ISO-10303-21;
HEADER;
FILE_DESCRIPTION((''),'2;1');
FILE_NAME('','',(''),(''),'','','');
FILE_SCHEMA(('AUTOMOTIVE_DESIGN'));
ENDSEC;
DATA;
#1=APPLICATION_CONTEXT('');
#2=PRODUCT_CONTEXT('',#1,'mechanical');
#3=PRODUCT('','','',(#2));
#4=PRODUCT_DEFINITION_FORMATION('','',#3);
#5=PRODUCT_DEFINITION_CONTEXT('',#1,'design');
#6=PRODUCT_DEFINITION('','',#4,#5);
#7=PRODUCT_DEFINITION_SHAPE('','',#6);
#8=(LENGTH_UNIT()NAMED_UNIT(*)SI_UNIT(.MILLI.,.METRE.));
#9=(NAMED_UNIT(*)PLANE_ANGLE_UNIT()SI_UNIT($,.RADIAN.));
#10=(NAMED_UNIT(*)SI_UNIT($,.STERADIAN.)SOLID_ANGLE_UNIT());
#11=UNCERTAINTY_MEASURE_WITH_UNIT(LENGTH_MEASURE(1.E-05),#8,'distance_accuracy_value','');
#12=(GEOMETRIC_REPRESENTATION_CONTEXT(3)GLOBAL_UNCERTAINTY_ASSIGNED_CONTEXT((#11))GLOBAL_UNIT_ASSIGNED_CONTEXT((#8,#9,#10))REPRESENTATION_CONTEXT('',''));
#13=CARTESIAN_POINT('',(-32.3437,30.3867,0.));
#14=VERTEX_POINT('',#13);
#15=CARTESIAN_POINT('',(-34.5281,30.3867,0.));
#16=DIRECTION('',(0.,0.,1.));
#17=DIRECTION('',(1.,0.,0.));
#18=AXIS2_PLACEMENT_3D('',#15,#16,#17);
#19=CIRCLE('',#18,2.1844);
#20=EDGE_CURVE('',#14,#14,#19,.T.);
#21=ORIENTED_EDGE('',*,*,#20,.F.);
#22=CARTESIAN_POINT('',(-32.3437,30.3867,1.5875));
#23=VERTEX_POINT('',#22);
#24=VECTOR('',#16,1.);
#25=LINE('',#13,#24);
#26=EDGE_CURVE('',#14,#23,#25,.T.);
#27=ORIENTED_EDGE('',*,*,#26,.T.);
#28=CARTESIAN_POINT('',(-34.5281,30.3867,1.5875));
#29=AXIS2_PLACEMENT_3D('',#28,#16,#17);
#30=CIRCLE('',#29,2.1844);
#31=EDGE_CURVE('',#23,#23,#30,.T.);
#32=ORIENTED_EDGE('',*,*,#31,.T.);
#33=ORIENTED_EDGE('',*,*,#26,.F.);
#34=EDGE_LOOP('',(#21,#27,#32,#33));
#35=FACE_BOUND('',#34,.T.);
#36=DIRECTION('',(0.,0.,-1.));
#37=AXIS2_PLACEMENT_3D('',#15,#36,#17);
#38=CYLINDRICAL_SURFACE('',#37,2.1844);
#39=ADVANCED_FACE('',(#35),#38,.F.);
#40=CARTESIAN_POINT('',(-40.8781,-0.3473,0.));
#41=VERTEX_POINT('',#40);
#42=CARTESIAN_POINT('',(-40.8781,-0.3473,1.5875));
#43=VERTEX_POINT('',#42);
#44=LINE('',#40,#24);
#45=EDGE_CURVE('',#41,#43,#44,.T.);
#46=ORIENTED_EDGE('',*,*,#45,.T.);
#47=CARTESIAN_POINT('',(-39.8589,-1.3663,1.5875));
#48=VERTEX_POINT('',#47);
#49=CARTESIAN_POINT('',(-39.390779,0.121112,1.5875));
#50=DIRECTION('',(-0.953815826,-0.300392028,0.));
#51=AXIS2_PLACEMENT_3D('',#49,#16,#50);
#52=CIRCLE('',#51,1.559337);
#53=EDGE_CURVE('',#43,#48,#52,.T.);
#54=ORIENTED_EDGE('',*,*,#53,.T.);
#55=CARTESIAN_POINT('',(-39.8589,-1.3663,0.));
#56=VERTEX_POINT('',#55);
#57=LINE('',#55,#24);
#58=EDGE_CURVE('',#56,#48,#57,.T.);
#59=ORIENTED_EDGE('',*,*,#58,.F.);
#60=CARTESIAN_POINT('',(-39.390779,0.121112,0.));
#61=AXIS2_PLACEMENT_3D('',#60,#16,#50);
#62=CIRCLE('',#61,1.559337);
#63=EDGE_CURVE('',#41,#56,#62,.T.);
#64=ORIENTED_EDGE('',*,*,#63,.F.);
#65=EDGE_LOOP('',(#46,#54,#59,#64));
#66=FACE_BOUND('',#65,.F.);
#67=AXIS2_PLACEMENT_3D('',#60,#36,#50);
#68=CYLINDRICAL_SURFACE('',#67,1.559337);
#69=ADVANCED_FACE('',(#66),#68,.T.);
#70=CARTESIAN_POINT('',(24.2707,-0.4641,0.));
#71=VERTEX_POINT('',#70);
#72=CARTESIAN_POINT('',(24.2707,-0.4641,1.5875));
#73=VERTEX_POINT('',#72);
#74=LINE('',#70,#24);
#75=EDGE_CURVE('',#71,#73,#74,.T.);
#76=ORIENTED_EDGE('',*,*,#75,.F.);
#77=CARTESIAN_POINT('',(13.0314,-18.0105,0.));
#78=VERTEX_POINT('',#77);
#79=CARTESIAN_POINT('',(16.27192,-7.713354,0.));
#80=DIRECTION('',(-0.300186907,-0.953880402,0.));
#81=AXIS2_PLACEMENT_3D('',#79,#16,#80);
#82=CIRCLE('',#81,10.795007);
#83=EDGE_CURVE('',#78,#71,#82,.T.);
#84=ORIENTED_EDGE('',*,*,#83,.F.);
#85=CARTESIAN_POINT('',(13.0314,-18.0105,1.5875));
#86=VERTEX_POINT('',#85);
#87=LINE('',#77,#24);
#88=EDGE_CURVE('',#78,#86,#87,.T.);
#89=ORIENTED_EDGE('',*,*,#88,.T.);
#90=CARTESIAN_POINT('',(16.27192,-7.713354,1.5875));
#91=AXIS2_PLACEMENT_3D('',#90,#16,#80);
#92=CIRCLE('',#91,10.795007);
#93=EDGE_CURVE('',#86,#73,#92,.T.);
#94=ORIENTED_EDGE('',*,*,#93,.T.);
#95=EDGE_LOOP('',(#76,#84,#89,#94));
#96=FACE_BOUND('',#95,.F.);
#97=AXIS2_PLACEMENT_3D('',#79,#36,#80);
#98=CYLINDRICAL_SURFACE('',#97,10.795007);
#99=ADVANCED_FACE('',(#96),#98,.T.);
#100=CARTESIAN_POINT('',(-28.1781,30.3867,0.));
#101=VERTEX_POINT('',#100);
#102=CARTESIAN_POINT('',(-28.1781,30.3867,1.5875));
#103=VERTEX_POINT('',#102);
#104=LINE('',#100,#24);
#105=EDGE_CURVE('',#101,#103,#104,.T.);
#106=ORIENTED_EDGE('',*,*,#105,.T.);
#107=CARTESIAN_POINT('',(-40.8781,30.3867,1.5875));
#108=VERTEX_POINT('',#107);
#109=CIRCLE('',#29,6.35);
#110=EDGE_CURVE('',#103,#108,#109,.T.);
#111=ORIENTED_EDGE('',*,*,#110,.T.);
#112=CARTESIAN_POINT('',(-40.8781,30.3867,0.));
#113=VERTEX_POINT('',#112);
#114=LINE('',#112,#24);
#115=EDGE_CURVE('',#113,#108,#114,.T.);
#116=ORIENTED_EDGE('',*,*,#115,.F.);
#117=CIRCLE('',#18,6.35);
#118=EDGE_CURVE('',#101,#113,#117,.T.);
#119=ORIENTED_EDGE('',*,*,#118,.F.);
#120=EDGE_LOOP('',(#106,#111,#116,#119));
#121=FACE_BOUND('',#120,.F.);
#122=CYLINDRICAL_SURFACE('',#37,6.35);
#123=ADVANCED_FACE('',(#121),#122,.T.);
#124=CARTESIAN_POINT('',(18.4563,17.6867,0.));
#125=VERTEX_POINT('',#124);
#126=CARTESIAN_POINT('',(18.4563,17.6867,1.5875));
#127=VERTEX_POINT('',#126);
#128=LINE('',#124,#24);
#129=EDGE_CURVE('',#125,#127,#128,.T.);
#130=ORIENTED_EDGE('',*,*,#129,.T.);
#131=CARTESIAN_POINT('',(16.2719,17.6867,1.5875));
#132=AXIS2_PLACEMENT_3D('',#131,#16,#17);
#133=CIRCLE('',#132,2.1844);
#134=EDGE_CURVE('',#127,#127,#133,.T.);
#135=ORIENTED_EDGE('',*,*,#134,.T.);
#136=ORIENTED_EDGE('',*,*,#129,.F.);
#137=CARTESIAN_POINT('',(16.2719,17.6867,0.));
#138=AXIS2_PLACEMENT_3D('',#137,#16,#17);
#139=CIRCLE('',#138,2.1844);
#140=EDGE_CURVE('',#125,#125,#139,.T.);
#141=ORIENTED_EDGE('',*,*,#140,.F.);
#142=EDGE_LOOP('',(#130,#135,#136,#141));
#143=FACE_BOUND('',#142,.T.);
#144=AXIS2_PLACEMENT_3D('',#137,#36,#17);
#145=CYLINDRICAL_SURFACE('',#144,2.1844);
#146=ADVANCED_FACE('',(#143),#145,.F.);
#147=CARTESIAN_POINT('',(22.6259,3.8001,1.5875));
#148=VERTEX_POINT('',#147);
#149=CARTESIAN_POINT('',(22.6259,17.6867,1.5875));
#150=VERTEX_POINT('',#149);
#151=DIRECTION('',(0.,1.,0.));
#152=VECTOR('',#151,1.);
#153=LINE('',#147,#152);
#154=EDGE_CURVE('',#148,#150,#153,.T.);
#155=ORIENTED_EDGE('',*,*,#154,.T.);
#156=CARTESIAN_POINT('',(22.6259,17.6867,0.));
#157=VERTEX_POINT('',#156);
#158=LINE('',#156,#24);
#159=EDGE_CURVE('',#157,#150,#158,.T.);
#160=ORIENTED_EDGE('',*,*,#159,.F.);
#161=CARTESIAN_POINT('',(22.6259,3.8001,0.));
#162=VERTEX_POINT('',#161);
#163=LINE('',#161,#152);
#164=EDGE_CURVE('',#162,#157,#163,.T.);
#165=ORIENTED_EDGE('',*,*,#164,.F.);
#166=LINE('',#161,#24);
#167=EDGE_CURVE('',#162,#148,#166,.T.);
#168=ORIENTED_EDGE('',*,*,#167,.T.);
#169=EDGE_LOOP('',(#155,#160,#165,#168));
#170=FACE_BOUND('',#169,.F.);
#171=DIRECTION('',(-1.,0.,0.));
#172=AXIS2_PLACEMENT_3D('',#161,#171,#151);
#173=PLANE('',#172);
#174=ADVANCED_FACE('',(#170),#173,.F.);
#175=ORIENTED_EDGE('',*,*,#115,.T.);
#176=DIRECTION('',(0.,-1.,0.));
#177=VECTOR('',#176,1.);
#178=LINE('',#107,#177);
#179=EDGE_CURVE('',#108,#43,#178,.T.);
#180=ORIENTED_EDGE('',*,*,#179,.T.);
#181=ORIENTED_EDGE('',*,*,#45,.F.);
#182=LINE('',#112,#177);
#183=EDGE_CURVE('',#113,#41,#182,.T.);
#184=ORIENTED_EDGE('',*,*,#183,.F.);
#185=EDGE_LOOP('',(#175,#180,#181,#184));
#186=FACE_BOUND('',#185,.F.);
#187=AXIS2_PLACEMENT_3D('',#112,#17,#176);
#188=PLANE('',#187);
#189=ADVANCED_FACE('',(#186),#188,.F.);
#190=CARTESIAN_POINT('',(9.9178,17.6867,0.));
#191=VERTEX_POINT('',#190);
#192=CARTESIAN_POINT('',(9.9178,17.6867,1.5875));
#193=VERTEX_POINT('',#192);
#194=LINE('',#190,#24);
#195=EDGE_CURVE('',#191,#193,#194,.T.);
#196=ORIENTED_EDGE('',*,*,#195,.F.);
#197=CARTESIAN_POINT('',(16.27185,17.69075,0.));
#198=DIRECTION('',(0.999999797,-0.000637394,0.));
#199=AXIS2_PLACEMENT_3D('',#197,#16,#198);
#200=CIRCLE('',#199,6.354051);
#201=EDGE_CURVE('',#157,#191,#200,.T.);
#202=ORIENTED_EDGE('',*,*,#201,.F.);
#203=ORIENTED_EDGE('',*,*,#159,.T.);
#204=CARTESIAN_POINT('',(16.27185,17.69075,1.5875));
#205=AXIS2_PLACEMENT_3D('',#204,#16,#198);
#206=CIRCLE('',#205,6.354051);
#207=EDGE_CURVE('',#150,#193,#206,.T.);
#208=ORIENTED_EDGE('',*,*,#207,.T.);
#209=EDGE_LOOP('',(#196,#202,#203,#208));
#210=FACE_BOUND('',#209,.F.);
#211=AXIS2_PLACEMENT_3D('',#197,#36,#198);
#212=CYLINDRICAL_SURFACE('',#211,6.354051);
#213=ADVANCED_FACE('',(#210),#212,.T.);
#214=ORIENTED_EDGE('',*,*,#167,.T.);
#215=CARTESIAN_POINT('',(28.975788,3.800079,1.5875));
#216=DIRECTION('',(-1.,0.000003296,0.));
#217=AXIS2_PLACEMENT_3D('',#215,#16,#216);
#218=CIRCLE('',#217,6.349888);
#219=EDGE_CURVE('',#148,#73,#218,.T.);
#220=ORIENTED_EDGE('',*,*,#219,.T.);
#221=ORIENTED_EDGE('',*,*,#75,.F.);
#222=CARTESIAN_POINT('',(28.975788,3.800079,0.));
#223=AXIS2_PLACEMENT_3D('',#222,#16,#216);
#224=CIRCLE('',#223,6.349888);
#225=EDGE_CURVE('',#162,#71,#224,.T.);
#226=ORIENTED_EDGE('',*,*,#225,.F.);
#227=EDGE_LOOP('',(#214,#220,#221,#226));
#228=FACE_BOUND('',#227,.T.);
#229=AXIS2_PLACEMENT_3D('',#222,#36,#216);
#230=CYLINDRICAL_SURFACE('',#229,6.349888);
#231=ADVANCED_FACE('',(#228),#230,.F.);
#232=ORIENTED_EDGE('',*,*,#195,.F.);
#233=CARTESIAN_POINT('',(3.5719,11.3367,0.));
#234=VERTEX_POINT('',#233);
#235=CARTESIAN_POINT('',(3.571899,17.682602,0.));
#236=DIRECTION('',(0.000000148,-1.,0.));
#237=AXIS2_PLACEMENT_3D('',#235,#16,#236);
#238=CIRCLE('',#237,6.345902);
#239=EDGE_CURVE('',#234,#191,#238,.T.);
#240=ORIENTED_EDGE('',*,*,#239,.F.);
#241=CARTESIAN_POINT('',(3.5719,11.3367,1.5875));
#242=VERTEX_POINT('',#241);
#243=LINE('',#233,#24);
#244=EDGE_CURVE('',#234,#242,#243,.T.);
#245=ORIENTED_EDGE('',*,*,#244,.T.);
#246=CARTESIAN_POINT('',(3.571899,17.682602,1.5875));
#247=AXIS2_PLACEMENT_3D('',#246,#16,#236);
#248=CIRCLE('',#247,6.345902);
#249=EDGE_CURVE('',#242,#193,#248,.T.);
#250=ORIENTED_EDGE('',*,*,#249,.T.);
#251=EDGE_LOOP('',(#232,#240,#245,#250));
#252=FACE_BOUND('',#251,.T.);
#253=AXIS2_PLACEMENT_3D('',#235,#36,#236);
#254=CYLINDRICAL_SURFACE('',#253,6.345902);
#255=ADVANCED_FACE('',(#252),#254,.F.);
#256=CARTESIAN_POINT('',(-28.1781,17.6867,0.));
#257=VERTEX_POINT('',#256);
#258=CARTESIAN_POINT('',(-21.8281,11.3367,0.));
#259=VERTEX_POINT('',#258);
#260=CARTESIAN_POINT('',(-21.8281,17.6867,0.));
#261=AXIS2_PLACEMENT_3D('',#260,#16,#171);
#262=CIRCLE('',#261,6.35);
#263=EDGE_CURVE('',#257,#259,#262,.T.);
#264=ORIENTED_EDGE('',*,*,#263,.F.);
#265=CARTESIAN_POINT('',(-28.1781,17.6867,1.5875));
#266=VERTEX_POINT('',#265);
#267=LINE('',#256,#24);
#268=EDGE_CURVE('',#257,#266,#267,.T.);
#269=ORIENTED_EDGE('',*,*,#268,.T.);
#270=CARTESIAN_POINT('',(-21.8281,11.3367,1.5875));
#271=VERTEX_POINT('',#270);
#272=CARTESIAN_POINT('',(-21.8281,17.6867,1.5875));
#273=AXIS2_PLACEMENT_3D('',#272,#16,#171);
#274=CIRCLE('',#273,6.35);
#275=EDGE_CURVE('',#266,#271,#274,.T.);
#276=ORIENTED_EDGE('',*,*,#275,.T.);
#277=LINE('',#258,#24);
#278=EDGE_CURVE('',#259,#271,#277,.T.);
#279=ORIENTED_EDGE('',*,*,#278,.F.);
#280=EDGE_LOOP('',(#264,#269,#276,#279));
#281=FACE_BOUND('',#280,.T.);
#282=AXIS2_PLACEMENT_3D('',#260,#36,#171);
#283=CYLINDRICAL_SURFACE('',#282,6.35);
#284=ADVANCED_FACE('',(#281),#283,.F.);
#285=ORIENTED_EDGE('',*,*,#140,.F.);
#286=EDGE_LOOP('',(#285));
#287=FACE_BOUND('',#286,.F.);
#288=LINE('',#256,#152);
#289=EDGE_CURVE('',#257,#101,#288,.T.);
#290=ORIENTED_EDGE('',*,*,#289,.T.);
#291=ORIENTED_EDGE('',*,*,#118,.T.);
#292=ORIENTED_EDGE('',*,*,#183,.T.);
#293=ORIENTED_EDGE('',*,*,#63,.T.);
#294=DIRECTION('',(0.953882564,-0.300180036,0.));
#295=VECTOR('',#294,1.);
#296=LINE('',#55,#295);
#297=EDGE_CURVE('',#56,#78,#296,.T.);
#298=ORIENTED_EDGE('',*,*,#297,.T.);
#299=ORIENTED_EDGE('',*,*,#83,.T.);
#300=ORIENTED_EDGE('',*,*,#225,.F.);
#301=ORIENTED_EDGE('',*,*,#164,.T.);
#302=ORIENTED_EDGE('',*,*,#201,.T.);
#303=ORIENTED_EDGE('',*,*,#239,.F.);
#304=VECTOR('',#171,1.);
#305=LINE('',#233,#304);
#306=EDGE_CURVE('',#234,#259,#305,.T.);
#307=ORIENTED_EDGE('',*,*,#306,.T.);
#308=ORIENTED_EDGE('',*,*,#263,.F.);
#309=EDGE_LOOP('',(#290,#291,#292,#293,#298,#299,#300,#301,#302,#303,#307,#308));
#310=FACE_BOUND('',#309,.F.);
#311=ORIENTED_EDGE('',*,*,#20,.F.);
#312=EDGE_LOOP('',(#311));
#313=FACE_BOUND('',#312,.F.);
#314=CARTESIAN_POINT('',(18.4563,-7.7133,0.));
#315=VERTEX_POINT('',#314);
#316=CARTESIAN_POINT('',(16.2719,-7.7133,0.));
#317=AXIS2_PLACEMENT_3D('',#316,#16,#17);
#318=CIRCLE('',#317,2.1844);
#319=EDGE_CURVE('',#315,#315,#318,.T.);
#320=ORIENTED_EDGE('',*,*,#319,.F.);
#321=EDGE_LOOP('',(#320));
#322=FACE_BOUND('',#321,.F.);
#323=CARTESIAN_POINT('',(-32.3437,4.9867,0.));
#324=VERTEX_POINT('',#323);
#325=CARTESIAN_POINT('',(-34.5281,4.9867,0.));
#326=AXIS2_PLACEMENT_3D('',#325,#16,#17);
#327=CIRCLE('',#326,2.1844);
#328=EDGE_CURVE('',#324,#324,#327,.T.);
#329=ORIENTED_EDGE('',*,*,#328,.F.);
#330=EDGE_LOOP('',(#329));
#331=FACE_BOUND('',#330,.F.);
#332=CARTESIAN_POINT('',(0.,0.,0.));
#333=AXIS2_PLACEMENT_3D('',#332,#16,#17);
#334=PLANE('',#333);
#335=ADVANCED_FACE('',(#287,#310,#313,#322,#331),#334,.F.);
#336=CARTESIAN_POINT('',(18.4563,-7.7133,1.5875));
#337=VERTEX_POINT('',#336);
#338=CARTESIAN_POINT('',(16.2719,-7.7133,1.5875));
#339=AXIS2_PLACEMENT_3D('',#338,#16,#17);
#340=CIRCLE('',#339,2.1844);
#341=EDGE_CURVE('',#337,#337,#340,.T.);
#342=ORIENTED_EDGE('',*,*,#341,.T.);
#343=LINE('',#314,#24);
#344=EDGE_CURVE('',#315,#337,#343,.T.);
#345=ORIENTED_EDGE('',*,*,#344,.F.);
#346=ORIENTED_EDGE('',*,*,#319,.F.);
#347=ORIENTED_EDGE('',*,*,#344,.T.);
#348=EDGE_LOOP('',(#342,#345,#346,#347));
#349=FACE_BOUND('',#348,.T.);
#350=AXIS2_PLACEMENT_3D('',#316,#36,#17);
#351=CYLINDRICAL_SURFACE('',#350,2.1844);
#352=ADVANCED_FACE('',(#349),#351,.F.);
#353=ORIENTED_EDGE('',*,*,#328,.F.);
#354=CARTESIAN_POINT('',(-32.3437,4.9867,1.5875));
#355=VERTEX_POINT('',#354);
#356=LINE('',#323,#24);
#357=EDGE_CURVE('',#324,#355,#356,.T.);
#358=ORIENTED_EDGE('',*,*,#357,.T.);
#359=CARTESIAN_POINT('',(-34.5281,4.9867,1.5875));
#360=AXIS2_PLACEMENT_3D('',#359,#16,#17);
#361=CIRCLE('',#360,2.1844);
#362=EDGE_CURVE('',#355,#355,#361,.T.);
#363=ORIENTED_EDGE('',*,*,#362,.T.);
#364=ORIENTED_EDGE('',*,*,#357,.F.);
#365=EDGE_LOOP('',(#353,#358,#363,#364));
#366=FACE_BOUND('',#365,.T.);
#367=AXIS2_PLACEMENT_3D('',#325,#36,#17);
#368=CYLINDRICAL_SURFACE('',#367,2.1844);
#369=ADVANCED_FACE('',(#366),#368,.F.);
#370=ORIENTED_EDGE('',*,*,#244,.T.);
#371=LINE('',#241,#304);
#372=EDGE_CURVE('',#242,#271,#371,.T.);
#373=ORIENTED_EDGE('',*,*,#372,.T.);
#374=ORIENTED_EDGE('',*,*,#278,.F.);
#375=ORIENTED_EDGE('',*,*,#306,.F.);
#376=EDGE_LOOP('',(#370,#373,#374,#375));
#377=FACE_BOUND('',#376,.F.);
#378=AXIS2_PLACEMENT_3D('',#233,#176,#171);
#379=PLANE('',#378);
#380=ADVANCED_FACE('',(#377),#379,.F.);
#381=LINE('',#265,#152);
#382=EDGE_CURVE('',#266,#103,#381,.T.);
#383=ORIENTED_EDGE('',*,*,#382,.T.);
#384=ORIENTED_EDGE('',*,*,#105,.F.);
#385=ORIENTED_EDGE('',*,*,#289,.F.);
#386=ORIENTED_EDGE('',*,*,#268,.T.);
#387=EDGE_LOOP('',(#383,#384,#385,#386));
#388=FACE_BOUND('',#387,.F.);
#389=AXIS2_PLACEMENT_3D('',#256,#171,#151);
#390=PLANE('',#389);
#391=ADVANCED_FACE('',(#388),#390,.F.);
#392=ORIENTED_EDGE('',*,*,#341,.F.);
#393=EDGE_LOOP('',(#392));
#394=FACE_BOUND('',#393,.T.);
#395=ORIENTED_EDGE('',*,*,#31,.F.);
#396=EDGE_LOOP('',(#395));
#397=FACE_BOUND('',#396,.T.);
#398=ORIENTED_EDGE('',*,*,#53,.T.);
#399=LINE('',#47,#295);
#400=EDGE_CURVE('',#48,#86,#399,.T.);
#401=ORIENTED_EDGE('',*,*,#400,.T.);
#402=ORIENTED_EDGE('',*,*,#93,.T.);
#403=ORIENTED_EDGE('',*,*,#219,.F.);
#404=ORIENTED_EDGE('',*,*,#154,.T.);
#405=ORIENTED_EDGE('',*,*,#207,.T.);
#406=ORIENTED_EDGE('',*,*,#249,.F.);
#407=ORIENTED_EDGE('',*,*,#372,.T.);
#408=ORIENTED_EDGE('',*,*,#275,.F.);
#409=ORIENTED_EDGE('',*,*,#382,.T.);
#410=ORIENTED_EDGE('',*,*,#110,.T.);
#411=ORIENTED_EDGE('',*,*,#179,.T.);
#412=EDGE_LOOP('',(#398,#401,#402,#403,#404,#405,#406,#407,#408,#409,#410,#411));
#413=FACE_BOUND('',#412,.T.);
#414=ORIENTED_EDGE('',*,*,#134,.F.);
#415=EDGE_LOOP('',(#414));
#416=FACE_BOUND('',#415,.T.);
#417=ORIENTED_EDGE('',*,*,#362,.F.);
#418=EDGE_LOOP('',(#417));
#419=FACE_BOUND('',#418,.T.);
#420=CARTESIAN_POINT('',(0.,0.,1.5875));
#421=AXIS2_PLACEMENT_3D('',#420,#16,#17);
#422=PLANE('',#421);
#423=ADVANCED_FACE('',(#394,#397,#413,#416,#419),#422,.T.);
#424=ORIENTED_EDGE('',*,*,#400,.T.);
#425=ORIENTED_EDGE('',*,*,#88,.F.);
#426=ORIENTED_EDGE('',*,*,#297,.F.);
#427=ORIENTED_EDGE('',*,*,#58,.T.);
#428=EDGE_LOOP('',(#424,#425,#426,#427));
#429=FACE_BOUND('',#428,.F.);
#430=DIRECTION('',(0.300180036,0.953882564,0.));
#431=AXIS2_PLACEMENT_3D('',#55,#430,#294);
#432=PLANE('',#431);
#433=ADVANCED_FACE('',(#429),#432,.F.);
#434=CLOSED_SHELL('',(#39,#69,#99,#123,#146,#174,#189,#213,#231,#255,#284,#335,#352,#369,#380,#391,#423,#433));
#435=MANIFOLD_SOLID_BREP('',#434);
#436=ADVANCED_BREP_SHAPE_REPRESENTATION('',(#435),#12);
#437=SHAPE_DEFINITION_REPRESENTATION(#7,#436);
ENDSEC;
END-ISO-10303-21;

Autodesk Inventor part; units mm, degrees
ref_plane "YZ Plane" through (0, 0, 0) normal (1, 0, 0) x (0, 1, 0)
ref_plane "XZ Plane" through (0, 0, 0) normal (0, 1, 0) x (-1, 0, 0)
ref_plane "XY Plane" through (0, 0, 0) normal (0, 0, 1) x (1, 0, 0)
sketch "Sketch1" plane through (0, 0, 0) normal (0, 0, 1) x (1, 0, 0)
  line L0 (22.6259, 3.8001) -> (22.6259, 17.6867)
  arc A0 (22.6259, 3.8001) -> (24.2707, -0.4641) centre (28.9759, 3.8001) ccw
  line L1 (3.5719, 11.3367) -> (-21.8281, 11.3367)
  arc A1 (-28.1781, 17.6867) -> (-21.8281, 11.3367) centre (-21.8281, 17.6867) ccw
  line L2 (-39.8589, -1.3663) -> (13.0314, -18.0105)
  circle A2 centre (16.2719, -7.7133) radius 2.1844
  circle A3 centre (16.2719, 17.6867) radius 2.1844
  circle A4 centre (-34.5281, 4.9867) radius 2.1844
  arc A5 (13.0314, -18.0105) -> (24.2707, -0.4641) centre (16.2719, -7.7133) ccw
  arc A6 (-40.8781, -0.3473) -> (-39.8589, -1.3663) centre (-39.3908, 0.1211) ccw
  circle A7 centre (-34.5281, 30.3867) radius 2.1844
  line L3 (-28.1781, 17.6867) -> (-28.1781, 30.3867)
  line L4 (-40.8781, 30.3867) -> (-40.8781, -0.3473)
  arc A8 (-28.1781, 30.3867) -> (-40.8781, 30.3867) centre (-34.5281, 30.3867) ccw
  arc A9 (3.5719, 11.3367) -> (9.9178, 17.6867) centre (3.5719, 17.6826) ccw
  arc A10 (22.6259, 17.6867) -> (9.9178, 17.6867) centre (16.2719, 17.6908) ccw
  point P0 (0, 0)
extrude "Extrusion1" add sketch "Sketch1" along normal blind 1.5875
properties part number "backCorners"
